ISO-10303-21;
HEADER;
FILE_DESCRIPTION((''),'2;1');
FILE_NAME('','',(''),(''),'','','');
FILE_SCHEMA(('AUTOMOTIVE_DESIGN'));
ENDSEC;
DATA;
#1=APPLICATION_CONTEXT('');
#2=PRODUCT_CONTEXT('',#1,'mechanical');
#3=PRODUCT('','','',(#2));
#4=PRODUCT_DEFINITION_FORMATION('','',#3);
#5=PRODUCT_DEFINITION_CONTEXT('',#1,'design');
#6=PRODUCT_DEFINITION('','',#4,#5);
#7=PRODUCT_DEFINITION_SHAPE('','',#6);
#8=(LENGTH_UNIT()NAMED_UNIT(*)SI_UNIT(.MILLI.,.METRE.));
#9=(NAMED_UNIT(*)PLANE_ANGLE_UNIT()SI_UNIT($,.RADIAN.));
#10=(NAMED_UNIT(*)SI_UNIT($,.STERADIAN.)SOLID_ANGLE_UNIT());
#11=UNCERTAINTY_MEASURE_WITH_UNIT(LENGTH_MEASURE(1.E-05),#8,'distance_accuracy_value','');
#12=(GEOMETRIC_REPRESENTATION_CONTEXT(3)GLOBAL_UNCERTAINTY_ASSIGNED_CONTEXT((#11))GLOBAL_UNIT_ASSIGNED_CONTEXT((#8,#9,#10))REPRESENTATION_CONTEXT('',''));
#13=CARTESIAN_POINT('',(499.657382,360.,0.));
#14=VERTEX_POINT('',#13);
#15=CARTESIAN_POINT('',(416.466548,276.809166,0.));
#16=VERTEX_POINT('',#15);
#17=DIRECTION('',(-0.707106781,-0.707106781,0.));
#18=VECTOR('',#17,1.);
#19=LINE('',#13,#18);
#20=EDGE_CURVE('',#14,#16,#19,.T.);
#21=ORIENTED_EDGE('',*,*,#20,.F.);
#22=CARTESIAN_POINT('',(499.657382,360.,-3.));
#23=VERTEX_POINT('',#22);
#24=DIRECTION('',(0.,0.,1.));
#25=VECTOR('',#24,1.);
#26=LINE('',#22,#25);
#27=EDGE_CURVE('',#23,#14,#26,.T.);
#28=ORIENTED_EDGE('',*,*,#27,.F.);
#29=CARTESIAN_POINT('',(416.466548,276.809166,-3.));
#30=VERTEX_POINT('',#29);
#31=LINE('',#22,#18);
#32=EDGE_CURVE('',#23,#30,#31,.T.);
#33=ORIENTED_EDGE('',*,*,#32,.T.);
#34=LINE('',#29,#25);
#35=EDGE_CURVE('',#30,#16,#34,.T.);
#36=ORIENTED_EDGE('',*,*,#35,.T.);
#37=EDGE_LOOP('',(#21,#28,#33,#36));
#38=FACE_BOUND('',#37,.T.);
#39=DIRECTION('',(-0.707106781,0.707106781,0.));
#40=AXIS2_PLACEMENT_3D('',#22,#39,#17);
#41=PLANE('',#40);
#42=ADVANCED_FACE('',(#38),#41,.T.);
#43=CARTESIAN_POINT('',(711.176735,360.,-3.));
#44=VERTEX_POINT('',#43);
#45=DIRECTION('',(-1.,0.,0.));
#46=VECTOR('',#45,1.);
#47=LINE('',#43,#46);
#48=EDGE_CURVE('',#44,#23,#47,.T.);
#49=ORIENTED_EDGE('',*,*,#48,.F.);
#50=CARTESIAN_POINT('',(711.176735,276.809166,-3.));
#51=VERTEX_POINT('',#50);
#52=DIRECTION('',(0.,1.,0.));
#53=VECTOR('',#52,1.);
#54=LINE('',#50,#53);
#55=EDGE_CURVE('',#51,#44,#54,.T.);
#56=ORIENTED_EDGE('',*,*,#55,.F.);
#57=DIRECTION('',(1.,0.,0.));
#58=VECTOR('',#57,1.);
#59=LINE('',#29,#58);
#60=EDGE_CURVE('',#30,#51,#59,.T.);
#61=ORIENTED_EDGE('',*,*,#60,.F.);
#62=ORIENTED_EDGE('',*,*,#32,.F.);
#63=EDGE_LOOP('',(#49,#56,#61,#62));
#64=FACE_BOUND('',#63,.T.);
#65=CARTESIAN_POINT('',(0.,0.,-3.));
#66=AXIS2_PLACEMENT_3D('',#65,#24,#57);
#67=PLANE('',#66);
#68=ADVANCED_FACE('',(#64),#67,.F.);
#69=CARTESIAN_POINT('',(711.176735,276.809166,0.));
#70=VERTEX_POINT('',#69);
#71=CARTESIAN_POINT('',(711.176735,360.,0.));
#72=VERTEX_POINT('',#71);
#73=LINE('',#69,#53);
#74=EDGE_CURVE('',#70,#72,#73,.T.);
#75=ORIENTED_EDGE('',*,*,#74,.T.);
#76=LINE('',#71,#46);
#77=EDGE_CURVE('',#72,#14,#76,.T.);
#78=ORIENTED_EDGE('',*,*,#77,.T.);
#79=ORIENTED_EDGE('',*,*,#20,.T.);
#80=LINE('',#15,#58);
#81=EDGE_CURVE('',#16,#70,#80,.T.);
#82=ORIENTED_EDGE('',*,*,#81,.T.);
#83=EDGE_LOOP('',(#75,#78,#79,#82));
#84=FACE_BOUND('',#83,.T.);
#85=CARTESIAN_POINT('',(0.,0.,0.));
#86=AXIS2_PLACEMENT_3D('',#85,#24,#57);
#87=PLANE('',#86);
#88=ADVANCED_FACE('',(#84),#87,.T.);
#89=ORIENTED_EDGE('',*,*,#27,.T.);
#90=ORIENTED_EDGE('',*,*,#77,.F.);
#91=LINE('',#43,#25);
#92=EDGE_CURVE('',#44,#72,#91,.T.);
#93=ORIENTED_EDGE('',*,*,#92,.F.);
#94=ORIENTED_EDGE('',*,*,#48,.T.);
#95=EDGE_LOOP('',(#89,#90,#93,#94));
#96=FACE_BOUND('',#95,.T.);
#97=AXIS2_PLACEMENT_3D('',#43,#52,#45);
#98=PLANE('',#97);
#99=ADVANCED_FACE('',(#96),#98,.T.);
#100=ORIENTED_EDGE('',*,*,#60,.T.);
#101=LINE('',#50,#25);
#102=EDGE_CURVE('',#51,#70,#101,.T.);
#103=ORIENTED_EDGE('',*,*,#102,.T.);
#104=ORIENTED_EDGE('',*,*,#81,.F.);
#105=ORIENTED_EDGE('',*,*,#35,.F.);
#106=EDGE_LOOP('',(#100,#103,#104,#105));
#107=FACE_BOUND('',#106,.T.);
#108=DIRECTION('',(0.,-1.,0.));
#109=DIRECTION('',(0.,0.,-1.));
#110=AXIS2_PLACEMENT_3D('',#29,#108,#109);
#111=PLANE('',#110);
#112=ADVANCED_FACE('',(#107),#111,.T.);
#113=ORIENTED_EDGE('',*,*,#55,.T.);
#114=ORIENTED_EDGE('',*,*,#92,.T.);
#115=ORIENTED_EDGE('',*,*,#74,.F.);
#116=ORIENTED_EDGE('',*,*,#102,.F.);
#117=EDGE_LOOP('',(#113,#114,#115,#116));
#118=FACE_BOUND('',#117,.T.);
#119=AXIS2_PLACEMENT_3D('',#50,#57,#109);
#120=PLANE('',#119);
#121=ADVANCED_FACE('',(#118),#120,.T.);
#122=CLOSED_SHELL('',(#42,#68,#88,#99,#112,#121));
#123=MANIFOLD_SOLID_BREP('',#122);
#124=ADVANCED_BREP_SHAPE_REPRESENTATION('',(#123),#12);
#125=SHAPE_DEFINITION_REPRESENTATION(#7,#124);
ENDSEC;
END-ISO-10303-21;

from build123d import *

# Parameters (mm, degrees)
BOSS_EXTRUDE1_DEPTH = 3


with BuildPart() as part:
    # Sketch1 → Boss-Extrude1 (new body)
    with BuildSketch(Plane.XY):
        Polygon((416.466548048, 276.80916598), (711.17673453, 276.80916598), (711.17673453, 360), (499.657382069, 360), align=None)
    extrude(amount=-BOSS_EXTRUDE1_DEPTH)


solid = part.part
